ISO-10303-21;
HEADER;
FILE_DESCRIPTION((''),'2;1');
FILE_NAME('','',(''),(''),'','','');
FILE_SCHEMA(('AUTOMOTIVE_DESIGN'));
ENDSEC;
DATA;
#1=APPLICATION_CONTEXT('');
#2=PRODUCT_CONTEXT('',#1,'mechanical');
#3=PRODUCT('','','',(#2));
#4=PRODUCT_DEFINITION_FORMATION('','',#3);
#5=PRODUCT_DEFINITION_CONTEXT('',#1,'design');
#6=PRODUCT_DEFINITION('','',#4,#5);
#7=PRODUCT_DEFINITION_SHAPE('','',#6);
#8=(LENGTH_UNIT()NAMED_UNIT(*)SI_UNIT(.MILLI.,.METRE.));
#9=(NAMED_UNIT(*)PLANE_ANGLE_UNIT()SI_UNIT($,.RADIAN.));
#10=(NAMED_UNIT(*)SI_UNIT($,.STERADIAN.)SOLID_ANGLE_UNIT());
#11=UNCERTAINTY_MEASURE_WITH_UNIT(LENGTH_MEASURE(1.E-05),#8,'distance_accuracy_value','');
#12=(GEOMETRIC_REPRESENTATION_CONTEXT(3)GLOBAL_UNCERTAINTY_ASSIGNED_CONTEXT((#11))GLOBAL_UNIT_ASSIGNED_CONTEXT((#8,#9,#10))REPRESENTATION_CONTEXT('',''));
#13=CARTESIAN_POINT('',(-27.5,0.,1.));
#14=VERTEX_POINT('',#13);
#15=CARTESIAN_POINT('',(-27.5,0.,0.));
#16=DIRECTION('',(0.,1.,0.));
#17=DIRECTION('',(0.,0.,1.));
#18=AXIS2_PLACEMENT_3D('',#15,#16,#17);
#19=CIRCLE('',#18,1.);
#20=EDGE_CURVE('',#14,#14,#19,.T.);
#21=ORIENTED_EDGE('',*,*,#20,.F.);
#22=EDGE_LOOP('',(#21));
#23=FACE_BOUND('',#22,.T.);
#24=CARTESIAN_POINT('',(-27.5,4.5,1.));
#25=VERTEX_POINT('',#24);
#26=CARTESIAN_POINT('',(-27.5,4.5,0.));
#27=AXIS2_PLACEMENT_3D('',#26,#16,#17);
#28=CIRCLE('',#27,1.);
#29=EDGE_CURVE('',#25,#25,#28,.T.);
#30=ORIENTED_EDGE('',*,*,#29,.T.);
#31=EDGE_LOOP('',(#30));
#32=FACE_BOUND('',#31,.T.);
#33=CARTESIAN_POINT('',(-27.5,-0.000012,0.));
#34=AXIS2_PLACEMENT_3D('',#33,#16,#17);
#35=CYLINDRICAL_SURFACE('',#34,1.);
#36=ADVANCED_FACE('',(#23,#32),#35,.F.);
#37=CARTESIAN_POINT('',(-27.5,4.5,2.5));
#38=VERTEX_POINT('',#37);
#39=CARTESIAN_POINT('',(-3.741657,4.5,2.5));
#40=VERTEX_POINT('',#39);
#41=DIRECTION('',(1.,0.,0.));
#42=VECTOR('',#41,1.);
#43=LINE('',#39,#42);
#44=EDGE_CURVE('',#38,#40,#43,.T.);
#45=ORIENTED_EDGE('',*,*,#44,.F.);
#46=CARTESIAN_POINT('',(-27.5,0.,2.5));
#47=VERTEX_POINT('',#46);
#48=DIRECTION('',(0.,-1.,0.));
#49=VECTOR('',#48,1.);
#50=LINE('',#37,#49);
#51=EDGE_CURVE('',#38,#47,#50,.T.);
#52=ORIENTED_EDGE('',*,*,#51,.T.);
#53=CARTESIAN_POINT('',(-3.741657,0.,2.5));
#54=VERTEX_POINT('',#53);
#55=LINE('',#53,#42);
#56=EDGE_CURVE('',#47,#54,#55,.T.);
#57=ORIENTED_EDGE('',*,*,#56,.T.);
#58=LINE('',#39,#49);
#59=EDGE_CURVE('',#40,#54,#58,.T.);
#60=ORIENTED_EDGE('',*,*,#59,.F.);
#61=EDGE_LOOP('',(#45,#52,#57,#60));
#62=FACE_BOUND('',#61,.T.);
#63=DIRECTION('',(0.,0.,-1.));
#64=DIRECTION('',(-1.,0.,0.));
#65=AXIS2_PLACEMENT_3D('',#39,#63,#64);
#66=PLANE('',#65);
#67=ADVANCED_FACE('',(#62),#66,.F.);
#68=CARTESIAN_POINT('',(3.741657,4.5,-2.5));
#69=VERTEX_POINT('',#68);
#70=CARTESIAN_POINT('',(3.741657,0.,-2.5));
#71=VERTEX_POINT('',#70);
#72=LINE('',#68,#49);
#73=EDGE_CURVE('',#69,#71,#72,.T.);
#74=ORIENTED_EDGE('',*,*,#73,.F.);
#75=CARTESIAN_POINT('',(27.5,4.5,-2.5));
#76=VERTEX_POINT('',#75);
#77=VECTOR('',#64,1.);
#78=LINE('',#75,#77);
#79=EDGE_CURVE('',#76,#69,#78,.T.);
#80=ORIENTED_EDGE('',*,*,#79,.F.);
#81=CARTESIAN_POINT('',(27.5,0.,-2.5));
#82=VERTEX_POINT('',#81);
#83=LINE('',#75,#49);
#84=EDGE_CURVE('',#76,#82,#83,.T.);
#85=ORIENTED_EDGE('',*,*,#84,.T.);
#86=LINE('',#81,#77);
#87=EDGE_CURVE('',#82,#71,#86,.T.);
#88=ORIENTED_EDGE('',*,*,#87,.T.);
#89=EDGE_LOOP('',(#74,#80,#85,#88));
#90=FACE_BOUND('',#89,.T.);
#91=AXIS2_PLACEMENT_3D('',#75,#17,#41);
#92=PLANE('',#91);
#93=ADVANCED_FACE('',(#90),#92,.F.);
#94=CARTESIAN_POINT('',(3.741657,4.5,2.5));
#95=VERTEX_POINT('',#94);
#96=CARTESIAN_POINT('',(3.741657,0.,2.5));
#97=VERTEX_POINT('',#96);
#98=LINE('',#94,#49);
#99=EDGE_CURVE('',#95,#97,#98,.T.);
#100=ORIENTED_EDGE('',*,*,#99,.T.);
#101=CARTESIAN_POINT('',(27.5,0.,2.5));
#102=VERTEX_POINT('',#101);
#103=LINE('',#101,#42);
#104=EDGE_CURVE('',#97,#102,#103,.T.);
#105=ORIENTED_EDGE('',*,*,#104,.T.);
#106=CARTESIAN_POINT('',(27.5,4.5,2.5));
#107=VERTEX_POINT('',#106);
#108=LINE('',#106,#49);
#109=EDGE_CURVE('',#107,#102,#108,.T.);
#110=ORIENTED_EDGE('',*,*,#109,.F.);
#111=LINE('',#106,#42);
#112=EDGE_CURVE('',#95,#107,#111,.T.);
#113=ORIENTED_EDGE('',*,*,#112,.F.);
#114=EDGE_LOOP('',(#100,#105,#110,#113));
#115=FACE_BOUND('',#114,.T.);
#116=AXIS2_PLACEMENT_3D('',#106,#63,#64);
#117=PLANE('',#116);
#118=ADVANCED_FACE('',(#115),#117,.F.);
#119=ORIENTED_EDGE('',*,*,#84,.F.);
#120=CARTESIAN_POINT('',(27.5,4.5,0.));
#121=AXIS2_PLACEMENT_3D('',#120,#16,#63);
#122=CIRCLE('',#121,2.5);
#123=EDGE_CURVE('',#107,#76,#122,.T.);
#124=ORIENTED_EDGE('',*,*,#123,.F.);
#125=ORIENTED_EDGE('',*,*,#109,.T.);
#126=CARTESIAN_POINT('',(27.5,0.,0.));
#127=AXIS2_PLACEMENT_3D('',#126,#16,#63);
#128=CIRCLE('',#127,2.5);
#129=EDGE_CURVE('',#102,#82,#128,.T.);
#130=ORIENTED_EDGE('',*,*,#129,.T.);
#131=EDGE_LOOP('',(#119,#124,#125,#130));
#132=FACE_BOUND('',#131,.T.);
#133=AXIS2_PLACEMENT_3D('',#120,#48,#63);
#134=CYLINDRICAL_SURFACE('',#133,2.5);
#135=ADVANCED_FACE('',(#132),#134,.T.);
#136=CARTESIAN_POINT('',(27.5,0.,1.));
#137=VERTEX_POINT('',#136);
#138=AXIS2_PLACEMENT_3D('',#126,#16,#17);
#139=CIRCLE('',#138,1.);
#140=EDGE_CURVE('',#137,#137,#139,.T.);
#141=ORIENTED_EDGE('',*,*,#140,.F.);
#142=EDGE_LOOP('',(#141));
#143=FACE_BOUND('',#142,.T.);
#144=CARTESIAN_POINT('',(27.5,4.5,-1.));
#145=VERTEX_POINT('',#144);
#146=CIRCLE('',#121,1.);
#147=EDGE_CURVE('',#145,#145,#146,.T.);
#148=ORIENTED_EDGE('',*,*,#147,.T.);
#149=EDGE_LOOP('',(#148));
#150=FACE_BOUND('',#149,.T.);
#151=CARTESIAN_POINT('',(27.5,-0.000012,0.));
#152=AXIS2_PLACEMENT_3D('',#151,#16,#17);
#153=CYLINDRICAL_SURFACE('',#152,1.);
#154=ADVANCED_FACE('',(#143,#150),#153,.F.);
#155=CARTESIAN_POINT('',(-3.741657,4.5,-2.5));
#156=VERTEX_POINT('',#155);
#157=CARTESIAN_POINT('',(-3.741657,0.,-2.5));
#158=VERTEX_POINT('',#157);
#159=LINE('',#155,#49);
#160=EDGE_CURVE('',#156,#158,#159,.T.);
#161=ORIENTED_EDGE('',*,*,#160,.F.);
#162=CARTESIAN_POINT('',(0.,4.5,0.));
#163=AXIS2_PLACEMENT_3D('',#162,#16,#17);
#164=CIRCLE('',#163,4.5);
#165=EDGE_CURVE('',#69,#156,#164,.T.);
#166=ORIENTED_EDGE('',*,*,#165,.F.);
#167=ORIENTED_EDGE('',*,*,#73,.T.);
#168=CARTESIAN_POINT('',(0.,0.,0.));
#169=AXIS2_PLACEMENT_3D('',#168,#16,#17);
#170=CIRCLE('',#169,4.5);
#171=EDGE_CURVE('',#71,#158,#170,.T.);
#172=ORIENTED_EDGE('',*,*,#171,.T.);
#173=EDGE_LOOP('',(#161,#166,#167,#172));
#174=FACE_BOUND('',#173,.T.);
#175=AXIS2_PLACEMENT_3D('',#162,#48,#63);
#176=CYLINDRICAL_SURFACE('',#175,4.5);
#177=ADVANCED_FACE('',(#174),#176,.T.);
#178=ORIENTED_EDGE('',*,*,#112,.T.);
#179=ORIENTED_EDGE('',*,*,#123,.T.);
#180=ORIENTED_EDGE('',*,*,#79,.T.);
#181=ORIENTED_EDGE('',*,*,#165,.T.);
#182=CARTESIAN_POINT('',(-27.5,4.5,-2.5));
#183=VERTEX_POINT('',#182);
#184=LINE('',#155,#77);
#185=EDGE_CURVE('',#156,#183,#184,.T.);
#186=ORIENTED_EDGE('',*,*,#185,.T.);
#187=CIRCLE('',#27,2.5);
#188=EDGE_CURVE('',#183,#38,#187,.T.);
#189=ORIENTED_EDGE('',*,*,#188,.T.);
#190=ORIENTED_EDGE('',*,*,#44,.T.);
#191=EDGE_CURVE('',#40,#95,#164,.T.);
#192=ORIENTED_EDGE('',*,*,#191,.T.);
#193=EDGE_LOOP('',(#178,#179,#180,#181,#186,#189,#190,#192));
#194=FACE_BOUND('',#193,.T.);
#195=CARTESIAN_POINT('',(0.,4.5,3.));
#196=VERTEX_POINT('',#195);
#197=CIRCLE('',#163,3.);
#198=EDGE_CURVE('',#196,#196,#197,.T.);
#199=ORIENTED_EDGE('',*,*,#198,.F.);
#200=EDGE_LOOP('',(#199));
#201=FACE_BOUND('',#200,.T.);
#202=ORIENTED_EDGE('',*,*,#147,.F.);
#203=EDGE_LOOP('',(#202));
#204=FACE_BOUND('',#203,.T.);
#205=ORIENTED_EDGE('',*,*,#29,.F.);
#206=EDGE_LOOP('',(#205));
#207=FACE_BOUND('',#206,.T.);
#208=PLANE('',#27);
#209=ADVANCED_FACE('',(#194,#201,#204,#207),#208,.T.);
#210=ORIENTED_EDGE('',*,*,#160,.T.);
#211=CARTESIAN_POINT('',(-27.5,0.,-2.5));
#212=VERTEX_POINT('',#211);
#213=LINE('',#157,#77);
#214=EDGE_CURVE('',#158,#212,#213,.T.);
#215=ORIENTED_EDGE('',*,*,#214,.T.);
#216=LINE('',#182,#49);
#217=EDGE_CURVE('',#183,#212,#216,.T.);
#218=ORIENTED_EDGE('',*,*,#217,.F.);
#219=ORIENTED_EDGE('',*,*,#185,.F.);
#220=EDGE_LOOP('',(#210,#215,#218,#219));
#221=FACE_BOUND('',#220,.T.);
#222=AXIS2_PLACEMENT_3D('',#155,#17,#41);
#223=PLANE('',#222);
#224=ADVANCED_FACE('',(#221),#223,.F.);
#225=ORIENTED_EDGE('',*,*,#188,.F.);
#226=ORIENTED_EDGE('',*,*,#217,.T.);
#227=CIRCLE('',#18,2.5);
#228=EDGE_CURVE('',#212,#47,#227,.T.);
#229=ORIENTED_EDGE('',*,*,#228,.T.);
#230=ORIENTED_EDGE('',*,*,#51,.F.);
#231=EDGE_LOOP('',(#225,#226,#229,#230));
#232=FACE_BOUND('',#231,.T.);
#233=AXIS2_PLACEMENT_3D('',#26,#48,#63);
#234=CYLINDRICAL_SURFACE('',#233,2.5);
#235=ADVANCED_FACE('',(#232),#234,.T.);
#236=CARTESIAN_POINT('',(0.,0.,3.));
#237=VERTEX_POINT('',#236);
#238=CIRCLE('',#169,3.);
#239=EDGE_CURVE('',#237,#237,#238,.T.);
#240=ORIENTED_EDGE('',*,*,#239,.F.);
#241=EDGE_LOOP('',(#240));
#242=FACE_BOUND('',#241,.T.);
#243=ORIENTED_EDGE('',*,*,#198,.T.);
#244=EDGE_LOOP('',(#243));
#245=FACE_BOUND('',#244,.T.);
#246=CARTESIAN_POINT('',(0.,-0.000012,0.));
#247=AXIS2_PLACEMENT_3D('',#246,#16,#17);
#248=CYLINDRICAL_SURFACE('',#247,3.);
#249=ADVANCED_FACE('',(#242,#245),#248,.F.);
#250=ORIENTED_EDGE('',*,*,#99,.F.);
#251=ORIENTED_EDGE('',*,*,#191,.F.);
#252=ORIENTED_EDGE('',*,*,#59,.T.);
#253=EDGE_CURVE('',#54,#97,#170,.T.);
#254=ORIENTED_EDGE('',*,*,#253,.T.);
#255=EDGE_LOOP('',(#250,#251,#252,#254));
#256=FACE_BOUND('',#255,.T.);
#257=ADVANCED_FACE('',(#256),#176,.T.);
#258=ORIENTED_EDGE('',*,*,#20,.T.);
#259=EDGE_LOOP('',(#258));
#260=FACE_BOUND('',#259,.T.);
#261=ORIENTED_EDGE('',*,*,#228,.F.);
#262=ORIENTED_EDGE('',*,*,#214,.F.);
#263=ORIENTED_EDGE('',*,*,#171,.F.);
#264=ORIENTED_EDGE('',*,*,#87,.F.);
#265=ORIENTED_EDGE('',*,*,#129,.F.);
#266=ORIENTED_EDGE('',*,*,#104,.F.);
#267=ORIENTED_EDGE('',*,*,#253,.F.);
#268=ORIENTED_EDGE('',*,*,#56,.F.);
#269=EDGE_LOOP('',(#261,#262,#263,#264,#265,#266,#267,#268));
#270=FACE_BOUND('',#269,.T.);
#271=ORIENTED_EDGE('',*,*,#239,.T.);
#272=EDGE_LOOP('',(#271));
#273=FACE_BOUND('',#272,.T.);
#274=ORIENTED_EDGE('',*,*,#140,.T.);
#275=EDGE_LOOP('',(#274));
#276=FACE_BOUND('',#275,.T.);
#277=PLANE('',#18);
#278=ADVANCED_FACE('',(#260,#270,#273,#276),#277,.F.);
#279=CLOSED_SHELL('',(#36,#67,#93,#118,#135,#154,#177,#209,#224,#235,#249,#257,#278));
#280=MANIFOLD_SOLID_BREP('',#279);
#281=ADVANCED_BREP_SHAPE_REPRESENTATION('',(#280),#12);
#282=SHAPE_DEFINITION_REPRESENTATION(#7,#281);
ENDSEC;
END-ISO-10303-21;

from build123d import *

# Parameters (mm, degrees)
BOSS_EXTRUDE2_DEPTH     = 4.5
SKETCH2_R               = 3
CUT_EXTRUDE1_DEPTH      = 5.5
CUT_EXTRUDE1_DEPTH_BACK = 1
SKETCH3_R               = 1
CUT_EXTRUDE2_DEPTH      = 5.5
CUT_EXTRUDE2_DEPTH_BACK = 1


with BuildPart() as part:
    # Sketch1 → Boss-Extrude2 (new body)
    with BuildSketch(Plane(origin=(0, 0, 0), x_dir=(1, 0, 0), z_dir=(0, 1, 0))):
        with BuildLine():
            Line((-3.741657387, 2.5), (-27.5, 2.5))
            ThreePointArc((-27.5, 2.5), (-30, 0), (-27.5, -2.5))
            Line((-27.5, -2.5), (-3.741657387, -2.5))
            ThreePointArc((-3.741657387, -2.5), (0, -4.5), (3.741657387, -2.5))
            Line((3.741657387, -2.5), (27.5, -2.5))
            ThreePointArc((27.5, -2.5), (30, 0), (27.5, 2.5))
            Line((27.5, 2.5), (3.741657387, 2.5))
            ThreePointArc((3.741657387, 2.5), (0, 4.5), (-3.741657387, 2.5))
        make_face()
    extrude(amount=BOSS_EXTRUDE2_DEPTH)

    # Sketch2 → Cut-Extrude1 (cut, two sides)
    with BuildSketch(Plane(origin=(0, 0, 0), x_dir=(1, 0, 0), z_dir=(0, 1, 0))) as cut_extrude1_sk:
        Circle(SKETCH2_R)
    extrude(amount=CUT_EXTRUDE1_DEPTH, mode=Mode.SUBTRACT)
    extrude(cut_extrude1_sk.sketch, amount=-CUT_EXTRUDE1_DEPTH_BACK, mode=Mode.SUBTRACT)

    # Sketch3 → Cut-Extrude2 (cut, two sides)
    with BuildSketch(Plane(origin=(0, 0, 0), x_dir=(1, 0, 0), z_dir=(0, 1, 0))) as cut_extrude2_sk:
        with Locations((-27.5, 0)):
            Circle(SKETCH3_R)
        with Locations((27.5, 0)):
            Circle(SKETCH3_R)
    extrude(amount=CUT_EXTRUDE2_DEPTH, mode=Mode.SUBTRACT)
    extrude(cut_extrude2_sk.sketch, amount=-CUT_EXTRUDE2_DEPTH_BACK, mode=Mode.SUBTRACT)


solid = part.part
